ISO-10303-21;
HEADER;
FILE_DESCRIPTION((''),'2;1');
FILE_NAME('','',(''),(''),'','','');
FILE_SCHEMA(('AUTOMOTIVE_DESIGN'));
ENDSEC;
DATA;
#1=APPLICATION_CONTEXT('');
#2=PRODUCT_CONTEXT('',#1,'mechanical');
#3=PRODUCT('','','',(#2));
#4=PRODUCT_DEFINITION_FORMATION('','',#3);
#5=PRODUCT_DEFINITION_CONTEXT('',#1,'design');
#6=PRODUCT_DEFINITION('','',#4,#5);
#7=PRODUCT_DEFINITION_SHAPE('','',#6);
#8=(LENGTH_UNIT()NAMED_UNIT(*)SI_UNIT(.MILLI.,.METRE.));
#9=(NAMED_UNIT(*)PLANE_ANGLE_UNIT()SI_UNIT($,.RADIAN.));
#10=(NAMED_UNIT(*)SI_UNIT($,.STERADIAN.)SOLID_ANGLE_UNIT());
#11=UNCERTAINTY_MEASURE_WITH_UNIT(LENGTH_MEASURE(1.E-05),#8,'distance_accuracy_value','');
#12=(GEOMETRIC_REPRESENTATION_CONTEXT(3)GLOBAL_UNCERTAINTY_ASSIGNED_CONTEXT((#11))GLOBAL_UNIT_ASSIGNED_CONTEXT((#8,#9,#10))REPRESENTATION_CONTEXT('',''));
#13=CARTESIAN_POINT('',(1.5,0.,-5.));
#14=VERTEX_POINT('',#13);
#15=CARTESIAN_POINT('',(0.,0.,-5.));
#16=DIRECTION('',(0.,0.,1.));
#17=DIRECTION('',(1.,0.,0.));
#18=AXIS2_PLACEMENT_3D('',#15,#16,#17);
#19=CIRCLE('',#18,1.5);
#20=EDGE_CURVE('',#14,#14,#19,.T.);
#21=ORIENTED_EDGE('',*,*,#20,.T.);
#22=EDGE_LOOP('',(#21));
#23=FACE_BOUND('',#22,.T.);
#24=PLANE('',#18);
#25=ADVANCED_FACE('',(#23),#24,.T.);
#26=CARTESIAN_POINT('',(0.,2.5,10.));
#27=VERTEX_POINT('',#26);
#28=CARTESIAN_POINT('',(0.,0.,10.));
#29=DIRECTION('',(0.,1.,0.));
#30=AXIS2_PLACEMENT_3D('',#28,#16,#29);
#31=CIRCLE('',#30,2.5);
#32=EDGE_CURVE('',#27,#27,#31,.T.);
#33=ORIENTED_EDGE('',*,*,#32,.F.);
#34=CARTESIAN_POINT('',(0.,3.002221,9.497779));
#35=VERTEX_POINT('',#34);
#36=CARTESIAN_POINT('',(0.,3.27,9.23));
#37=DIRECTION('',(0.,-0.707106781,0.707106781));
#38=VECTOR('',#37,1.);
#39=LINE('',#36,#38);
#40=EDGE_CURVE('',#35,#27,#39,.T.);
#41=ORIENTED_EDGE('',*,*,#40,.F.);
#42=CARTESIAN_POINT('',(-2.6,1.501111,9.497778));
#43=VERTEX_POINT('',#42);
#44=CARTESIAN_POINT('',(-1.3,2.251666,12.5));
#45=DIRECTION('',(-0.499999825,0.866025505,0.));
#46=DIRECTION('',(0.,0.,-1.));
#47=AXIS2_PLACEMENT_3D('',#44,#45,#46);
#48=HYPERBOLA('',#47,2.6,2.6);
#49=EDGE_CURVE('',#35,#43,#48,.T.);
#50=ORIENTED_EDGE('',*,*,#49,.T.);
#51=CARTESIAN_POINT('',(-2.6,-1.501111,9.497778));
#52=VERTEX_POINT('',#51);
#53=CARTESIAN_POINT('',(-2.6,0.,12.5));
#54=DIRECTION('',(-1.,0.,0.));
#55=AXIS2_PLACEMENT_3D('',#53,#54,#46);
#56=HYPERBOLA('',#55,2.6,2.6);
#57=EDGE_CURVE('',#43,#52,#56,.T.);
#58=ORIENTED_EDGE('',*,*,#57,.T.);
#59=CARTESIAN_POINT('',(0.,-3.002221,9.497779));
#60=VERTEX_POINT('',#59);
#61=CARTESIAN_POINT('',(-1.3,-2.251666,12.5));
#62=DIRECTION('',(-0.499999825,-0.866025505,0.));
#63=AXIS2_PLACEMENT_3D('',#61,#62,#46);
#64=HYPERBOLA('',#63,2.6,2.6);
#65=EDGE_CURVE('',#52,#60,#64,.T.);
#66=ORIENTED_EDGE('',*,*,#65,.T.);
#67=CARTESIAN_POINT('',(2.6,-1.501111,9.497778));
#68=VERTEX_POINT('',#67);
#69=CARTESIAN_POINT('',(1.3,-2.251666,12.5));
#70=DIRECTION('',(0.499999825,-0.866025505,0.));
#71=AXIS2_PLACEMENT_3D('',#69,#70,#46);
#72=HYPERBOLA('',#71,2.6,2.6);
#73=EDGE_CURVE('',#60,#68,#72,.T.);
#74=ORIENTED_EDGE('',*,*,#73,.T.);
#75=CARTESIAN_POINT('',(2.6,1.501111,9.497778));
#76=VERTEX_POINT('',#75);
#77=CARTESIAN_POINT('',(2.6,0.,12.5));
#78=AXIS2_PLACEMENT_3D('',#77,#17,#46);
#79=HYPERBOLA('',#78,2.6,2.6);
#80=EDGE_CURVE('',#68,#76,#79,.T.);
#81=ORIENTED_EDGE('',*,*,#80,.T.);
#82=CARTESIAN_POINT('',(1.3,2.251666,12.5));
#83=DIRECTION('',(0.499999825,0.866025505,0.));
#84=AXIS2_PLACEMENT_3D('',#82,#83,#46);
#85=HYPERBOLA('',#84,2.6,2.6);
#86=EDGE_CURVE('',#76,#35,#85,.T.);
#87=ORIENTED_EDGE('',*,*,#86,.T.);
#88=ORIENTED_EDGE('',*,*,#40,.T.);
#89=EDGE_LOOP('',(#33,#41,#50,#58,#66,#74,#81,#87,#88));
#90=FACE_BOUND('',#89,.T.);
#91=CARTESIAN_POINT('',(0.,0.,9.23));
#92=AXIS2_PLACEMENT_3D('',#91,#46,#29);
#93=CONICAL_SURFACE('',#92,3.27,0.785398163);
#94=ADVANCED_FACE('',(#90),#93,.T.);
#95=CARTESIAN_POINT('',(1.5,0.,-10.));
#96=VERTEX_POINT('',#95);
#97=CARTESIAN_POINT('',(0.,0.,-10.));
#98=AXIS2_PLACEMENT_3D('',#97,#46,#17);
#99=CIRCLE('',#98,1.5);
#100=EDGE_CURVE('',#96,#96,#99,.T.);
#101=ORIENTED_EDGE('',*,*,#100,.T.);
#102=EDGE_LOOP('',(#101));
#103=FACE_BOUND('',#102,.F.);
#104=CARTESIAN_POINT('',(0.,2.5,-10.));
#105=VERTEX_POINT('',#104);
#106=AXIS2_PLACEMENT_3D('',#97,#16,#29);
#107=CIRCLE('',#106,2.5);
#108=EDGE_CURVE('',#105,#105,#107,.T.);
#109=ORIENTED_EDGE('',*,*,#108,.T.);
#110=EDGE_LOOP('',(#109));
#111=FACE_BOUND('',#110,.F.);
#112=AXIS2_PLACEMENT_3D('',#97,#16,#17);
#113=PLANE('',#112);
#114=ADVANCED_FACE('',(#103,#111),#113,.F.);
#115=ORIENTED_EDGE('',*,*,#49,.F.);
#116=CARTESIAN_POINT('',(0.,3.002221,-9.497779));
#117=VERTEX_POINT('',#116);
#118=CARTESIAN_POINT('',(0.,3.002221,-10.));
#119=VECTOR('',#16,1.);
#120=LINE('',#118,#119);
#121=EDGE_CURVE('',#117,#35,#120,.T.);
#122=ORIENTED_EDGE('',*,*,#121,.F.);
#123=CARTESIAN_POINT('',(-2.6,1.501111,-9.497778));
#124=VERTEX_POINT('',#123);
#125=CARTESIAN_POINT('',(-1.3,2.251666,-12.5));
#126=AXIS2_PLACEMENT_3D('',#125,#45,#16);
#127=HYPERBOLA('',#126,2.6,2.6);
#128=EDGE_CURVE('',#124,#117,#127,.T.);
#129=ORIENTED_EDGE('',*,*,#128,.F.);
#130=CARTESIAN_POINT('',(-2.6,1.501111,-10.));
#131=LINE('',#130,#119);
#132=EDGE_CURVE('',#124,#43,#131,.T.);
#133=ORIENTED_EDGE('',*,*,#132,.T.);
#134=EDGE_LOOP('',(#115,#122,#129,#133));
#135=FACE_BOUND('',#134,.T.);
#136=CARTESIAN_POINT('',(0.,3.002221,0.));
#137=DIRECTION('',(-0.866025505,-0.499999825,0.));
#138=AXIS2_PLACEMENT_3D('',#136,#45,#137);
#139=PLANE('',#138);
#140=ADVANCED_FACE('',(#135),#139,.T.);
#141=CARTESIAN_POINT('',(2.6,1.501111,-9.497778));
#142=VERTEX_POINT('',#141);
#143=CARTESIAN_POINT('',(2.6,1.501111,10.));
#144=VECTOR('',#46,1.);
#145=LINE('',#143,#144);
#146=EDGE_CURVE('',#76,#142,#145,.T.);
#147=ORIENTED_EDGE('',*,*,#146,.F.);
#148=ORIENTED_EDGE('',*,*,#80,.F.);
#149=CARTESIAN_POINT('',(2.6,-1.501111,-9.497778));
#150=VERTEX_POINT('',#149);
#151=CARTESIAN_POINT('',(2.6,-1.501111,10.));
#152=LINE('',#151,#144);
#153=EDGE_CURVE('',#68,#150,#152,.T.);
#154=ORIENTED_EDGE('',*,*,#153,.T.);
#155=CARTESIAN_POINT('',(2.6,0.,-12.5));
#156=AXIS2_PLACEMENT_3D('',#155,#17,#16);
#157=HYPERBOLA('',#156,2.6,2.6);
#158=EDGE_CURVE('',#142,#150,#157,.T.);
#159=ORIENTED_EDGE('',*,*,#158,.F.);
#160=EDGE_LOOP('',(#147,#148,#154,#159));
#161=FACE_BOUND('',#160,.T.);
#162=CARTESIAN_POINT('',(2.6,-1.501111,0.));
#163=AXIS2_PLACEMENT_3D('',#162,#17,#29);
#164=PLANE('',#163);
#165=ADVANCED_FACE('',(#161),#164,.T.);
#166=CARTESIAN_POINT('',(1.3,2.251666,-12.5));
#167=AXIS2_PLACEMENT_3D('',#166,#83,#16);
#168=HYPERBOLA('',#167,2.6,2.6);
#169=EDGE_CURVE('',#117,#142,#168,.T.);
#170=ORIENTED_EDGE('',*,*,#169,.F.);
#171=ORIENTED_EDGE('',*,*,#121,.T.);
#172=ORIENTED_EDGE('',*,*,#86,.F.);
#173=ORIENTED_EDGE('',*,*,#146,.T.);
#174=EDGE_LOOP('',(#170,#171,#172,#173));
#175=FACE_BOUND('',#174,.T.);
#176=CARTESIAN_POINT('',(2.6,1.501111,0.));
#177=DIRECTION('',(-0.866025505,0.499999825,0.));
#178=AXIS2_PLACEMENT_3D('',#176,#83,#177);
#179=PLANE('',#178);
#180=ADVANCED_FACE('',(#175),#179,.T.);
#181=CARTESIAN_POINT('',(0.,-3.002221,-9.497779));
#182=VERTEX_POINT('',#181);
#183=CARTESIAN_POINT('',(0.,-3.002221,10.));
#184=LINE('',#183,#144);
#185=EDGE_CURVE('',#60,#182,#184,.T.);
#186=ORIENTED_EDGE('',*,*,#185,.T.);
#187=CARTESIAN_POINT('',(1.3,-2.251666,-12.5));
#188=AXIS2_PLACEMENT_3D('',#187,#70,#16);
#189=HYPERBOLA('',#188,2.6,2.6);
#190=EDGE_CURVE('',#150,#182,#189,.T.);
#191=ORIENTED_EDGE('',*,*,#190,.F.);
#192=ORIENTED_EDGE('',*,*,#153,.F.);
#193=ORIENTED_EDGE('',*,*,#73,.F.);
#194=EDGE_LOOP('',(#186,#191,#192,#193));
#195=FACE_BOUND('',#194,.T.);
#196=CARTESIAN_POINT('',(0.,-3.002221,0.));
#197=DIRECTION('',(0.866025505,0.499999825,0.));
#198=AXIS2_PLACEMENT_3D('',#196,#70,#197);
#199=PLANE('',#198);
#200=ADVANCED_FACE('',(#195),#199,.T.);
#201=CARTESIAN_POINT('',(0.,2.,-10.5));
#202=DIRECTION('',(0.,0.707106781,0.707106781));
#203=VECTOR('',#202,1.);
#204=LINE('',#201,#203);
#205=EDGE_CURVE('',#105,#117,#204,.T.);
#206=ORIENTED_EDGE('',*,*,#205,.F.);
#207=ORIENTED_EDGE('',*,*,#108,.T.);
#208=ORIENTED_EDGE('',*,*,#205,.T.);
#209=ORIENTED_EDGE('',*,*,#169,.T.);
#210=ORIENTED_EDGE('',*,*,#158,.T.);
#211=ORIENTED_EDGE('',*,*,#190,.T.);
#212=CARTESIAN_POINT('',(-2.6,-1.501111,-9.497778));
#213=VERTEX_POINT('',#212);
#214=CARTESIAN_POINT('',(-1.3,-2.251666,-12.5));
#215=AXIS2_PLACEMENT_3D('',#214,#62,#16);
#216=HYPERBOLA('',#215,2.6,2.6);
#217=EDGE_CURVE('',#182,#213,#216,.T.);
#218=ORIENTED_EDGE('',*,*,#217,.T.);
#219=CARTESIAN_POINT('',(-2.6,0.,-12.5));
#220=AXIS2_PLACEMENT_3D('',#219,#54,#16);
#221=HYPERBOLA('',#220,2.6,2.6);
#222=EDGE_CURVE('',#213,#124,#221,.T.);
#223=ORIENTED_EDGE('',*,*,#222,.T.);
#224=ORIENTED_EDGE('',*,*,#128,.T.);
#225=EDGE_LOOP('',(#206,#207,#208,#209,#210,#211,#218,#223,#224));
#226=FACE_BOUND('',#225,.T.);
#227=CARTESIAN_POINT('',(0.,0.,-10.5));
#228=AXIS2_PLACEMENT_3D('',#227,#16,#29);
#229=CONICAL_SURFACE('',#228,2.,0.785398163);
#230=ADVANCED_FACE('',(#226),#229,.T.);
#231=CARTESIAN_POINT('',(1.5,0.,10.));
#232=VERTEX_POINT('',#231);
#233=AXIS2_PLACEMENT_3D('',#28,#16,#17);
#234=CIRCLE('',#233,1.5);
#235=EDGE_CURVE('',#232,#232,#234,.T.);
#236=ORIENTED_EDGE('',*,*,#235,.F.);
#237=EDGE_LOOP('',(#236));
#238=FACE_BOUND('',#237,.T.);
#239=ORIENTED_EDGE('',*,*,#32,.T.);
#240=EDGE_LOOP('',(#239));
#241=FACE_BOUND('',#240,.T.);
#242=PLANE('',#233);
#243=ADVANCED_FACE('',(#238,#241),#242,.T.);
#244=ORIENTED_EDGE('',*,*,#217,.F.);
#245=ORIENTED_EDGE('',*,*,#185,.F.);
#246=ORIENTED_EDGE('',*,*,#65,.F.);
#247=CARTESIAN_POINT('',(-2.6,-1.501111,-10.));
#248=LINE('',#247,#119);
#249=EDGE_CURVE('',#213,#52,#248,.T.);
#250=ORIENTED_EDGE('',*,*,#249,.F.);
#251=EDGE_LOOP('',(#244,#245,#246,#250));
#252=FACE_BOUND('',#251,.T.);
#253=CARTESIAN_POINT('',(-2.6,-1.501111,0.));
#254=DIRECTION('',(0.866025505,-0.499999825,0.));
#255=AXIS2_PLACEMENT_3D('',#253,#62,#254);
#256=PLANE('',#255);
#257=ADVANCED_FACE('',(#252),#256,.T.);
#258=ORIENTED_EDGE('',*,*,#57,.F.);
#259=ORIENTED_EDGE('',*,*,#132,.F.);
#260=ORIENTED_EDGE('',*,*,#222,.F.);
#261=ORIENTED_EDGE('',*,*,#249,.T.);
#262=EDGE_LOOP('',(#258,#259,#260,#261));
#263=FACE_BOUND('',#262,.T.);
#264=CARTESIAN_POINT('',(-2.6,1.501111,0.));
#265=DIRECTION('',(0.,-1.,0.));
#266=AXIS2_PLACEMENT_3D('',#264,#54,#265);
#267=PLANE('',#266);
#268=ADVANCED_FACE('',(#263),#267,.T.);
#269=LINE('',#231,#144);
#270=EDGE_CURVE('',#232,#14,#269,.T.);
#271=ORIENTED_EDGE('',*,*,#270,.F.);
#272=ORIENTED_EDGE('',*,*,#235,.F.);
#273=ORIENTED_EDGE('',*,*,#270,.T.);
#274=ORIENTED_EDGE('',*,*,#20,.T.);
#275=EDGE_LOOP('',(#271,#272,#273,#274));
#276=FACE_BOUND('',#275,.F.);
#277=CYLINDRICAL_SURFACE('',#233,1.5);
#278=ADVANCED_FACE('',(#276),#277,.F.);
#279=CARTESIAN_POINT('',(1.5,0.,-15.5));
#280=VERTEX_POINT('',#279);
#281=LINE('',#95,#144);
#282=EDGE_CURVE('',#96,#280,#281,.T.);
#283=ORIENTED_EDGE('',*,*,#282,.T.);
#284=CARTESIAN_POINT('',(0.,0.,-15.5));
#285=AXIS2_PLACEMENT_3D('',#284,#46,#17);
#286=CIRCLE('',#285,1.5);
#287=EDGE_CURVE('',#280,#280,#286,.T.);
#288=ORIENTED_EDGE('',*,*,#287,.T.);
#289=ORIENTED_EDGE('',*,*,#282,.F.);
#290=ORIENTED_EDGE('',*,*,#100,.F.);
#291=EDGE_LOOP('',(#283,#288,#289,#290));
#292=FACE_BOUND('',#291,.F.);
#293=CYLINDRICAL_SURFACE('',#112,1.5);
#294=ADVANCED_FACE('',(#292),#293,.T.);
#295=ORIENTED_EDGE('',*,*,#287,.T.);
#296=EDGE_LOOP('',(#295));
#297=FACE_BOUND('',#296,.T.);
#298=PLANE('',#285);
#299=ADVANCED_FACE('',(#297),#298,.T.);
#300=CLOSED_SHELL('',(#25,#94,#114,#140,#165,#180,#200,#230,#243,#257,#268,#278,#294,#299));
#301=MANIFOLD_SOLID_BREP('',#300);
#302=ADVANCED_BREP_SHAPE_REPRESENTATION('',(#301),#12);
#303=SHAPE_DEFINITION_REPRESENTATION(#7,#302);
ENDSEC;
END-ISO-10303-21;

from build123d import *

# Parameters (mm, degrees)
PAD_DEPTH    = 10
SKETCH001_R  = 1.5
POCKET_DEPTH = 15
SKETCH002_R  = 1.5
PAD001_DEPTH = 5.5


with BuildPart() as part:
    # Sketch → Pad (new body, symmetric)
    with BuildSketch(Plane.XY):
        Polygon((2.6, 1.501111), (0, 3.002221), (-2.6, 1.501111), (-2.6, -1.501111), (0, -3.002221), (2.6, -1.501111), align=None)
    extrude(amount=PAD_DEPTH, both=True)

    # Sketch001 (on Face8 of Pad) → Pocket (cut)
    with BuildSketch(Plane.XY.offset(10)):
        Circle(SKETCH001_R)
    extrude(amount=-POCKET_DEPTH, mode=Mode.SUBTRACT)

    # Sketch002 (on Face4 of Pocket) → Pad001 (join)
    with BuildSketch(Plane(origin=(0, 0, -10), x_dir=(1, 0, 0), z_dir=(0, 0, -1))):
        Circle(SKETCH002_R)
    extrude(amount=PAD001_DEPTH)

    # Sketch004 → Groove (revolve, cut)
    with BuildSketch(Plane.YZ):
        Polygon((2, 10.5), (5, 10.5), (5, -10.5), (2, -10.5), (3.27, -9.23), (3.27, 9.23), align=None)
    revolve(axis=Axis((0, 0, 0), (0, 0, 1)), mode=Mode.SUBTRACT)


solid = part.part
